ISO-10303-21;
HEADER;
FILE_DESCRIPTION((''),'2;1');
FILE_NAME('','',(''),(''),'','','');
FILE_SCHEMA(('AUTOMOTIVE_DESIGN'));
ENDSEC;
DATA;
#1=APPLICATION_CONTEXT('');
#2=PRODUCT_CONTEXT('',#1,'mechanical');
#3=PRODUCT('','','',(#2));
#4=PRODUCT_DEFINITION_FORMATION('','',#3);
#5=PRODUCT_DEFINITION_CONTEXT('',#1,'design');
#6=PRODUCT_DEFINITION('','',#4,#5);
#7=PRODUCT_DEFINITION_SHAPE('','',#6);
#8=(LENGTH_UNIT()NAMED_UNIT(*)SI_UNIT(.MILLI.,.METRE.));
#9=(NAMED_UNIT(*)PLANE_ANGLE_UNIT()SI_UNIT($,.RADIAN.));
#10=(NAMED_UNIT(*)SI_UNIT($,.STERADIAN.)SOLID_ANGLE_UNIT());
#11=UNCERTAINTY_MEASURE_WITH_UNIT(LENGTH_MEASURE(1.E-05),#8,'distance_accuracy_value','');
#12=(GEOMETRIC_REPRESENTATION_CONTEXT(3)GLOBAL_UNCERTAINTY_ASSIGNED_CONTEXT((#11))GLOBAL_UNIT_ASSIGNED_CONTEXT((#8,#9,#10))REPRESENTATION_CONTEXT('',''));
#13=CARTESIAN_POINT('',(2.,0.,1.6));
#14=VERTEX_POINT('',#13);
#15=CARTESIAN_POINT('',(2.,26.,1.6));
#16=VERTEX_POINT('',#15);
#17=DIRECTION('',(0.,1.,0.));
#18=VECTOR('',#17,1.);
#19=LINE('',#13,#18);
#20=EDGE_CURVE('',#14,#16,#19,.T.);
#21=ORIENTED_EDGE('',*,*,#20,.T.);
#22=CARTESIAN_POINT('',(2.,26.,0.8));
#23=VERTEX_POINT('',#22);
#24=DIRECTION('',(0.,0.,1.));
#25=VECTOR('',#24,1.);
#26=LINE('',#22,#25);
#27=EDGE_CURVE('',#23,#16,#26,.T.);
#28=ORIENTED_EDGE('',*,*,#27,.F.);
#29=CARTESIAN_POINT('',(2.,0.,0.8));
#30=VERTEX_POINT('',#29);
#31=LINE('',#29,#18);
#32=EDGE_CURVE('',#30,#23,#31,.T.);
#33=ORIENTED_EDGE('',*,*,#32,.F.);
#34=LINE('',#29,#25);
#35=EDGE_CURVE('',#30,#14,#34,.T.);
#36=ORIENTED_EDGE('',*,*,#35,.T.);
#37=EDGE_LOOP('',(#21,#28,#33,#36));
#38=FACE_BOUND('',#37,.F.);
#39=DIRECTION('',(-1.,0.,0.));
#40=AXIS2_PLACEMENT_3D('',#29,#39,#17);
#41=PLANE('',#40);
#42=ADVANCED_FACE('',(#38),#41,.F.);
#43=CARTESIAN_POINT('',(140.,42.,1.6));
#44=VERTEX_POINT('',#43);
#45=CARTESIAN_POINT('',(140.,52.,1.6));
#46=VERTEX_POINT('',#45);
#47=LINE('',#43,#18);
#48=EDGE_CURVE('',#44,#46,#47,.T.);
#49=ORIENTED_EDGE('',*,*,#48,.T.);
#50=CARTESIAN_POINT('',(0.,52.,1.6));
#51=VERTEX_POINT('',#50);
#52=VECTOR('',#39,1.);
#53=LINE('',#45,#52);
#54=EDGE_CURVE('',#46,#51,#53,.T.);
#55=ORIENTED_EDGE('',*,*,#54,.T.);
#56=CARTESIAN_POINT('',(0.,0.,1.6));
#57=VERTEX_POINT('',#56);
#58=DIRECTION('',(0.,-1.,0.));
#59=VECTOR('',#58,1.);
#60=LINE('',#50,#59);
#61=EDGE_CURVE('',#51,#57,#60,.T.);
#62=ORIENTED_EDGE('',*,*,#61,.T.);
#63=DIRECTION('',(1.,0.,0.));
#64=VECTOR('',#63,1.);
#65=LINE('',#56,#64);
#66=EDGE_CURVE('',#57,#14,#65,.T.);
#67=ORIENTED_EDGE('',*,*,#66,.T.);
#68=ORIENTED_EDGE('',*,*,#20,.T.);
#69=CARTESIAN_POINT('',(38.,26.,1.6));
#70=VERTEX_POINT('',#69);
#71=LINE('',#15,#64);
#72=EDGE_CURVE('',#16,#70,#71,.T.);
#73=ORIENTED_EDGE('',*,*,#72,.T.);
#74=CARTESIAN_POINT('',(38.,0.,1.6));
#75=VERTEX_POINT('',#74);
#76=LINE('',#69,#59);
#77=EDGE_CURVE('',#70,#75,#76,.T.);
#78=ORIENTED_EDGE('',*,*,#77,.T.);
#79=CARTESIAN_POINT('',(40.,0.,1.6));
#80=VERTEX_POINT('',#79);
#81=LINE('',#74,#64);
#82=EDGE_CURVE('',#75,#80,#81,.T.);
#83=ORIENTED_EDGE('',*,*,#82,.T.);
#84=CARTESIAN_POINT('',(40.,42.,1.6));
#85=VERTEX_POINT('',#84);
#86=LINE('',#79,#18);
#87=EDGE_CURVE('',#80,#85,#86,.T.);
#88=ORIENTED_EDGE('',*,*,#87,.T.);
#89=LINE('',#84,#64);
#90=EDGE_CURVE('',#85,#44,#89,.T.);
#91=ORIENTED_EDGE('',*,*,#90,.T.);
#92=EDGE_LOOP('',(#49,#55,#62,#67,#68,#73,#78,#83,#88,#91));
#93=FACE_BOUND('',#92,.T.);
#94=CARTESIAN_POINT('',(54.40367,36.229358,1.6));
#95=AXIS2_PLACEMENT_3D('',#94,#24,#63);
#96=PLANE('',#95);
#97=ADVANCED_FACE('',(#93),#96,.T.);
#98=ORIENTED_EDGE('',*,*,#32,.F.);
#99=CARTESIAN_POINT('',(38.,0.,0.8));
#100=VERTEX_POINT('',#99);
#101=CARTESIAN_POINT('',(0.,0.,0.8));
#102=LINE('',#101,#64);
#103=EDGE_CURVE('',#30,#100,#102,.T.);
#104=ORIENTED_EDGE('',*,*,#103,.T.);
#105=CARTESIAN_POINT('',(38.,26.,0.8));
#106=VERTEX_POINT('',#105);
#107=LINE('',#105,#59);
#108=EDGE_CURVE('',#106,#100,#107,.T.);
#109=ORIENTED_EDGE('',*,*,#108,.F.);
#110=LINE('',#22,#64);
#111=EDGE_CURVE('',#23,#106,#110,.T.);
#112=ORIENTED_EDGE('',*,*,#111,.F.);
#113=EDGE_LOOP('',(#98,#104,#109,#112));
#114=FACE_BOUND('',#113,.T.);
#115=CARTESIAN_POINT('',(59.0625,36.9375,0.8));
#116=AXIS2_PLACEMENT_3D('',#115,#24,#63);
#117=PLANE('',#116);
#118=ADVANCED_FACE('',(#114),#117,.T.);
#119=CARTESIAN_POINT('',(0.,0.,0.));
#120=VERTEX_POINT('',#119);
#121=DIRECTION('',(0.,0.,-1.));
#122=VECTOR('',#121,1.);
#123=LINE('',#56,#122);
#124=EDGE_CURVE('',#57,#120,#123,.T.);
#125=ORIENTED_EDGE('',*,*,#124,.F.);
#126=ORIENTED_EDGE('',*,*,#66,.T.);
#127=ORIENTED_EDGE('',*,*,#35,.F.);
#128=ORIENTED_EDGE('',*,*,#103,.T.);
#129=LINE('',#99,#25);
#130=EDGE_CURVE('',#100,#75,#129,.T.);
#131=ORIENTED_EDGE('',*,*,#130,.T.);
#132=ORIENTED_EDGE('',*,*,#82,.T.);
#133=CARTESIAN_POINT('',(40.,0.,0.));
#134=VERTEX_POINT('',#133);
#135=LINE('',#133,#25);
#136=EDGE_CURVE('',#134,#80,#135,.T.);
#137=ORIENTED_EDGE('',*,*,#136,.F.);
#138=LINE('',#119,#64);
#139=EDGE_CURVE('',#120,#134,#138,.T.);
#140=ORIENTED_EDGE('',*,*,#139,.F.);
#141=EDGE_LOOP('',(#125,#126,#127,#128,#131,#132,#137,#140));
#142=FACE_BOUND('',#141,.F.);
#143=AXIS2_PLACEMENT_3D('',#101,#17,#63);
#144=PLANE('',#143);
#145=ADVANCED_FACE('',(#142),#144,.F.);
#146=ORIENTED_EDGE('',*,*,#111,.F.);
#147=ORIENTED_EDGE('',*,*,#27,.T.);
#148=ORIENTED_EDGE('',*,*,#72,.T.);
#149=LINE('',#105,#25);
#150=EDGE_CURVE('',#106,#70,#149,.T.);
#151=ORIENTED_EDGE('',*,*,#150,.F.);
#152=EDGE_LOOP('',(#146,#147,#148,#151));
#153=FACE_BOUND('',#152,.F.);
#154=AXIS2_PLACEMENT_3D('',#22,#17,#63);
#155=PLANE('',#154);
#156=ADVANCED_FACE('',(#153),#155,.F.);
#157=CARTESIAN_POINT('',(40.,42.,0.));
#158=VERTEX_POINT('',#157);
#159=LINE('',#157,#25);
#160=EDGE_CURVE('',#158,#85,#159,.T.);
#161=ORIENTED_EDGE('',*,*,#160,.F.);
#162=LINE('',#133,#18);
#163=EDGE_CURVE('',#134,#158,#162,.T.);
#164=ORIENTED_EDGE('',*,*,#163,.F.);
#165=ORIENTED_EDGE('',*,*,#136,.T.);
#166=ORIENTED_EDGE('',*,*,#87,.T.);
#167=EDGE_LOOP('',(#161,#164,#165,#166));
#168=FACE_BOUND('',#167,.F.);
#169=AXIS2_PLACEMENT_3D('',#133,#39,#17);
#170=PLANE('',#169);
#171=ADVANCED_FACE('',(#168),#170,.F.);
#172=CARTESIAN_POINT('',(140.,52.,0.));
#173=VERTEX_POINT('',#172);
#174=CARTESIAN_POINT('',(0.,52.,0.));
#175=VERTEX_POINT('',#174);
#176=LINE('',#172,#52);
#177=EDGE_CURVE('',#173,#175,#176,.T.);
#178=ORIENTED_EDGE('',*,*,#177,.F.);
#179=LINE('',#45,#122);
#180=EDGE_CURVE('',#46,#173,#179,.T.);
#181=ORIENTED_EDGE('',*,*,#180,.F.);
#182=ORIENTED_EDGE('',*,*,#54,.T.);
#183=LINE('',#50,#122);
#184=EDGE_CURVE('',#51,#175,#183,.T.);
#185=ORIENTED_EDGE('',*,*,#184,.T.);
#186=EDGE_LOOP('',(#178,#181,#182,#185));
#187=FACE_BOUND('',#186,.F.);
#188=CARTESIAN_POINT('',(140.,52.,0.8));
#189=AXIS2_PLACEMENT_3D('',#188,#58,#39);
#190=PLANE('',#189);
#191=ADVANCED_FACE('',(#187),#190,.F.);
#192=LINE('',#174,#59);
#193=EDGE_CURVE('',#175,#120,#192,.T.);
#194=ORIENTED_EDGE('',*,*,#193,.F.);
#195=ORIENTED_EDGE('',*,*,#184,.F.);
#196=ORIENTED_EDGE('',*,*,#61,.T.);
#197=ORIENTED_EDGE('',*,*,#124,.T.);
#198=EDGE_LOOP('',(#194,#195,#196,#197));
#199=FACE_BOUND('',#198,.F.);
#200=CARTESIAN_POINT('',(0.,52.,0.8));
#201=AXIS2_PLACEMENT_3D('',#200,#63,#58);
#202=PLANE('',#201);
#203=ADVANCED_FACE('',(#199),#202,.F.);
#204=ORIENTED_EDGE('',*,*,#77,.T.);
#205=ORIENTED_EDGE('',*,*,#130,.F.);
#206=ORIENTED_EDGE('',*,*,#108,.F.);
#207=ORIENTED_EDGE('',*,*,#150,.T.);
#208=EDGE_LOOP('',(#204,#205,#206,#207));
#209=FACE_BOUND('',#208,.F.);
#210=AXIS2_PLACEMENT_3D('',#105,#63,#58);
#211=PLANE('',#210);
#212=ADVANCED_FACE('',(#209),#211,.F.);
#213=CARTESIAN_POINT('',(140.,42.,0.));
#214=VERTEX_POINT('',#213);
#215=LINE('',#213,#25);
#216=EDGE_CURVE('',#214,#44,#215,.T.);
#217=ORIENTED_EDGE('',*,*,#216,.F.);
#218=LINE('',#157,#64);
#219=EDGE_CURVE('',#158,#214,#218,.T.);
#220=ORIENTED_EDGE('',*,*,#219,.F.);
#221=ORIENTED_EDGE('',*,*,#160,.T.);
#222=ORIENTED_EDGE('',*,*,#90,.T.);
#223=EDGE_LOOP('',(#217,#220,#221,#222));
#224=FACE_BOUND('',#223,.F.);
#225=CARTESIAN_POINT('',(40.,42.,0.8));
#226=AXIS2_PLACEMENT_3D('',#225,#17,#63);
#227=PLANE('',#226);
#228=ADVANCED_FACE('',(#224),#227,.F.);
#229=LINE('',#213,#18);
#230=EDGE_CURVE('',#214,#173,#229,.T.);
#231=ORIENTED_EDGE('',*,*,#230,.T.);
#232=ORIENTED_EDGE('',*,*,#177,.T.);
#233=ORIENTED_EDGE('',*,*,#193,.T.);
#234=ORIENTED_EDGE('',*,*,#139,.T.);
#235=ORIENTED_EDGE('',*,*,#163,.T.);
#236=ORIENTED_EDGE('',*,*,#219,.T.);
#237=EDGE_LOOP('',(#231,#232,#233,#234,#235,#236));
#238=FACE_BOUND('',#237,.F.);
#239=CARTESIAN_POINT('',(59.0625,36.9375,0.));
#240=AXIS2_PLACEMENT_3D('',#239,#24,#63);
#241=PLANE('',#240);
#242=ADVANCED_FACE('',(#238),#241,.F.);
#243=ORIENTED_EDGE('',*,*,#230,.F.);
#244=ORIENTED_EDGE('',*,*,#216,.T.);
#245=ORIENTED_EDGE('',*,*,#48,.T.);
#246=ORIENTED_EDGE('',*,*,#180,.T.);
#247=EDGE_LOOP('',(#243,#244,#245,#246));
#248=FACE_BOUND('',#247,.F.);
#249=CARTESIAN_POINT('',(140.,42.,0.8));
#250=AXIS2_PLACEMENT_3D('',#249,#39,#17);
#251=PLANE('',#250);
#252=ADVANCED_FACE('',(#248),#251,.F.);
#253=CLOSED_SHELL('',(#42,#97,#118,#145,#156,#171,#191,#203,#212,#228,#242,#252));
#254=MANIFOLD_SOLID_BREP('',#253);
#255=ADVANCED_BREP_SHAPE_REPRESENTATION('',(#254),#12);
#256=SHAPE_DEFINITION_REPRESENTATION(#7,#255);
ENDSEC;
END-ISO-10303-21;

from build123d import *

# Parameters (mm, degrees)
F1_DEPTH = 0.8
F3_DEPTH = 0.8


with BuildPart() as f1:
    # F0 (on Top) → F1 (new body)
    with BuildSketch(Plane.XY):
        Polygon((0, 52), (0, 0), (40, 0), (40, 42), (140, 42), (140, 52), align=None)
    extrude(amount=F1_DEPTH)

    # F2 (on face) → F3 (join)
    with BuildSketch(Plane.XY.offset(0.8)):
        Polygon((0, 0), (2, 0), (2, 26), (38, 26), (38, 0), (40, 0), (40, 42), (140, 42), (140, 52), (0, 52), align=None)
    extrude(amount=F3_DEPTH)


solid = f1.part
